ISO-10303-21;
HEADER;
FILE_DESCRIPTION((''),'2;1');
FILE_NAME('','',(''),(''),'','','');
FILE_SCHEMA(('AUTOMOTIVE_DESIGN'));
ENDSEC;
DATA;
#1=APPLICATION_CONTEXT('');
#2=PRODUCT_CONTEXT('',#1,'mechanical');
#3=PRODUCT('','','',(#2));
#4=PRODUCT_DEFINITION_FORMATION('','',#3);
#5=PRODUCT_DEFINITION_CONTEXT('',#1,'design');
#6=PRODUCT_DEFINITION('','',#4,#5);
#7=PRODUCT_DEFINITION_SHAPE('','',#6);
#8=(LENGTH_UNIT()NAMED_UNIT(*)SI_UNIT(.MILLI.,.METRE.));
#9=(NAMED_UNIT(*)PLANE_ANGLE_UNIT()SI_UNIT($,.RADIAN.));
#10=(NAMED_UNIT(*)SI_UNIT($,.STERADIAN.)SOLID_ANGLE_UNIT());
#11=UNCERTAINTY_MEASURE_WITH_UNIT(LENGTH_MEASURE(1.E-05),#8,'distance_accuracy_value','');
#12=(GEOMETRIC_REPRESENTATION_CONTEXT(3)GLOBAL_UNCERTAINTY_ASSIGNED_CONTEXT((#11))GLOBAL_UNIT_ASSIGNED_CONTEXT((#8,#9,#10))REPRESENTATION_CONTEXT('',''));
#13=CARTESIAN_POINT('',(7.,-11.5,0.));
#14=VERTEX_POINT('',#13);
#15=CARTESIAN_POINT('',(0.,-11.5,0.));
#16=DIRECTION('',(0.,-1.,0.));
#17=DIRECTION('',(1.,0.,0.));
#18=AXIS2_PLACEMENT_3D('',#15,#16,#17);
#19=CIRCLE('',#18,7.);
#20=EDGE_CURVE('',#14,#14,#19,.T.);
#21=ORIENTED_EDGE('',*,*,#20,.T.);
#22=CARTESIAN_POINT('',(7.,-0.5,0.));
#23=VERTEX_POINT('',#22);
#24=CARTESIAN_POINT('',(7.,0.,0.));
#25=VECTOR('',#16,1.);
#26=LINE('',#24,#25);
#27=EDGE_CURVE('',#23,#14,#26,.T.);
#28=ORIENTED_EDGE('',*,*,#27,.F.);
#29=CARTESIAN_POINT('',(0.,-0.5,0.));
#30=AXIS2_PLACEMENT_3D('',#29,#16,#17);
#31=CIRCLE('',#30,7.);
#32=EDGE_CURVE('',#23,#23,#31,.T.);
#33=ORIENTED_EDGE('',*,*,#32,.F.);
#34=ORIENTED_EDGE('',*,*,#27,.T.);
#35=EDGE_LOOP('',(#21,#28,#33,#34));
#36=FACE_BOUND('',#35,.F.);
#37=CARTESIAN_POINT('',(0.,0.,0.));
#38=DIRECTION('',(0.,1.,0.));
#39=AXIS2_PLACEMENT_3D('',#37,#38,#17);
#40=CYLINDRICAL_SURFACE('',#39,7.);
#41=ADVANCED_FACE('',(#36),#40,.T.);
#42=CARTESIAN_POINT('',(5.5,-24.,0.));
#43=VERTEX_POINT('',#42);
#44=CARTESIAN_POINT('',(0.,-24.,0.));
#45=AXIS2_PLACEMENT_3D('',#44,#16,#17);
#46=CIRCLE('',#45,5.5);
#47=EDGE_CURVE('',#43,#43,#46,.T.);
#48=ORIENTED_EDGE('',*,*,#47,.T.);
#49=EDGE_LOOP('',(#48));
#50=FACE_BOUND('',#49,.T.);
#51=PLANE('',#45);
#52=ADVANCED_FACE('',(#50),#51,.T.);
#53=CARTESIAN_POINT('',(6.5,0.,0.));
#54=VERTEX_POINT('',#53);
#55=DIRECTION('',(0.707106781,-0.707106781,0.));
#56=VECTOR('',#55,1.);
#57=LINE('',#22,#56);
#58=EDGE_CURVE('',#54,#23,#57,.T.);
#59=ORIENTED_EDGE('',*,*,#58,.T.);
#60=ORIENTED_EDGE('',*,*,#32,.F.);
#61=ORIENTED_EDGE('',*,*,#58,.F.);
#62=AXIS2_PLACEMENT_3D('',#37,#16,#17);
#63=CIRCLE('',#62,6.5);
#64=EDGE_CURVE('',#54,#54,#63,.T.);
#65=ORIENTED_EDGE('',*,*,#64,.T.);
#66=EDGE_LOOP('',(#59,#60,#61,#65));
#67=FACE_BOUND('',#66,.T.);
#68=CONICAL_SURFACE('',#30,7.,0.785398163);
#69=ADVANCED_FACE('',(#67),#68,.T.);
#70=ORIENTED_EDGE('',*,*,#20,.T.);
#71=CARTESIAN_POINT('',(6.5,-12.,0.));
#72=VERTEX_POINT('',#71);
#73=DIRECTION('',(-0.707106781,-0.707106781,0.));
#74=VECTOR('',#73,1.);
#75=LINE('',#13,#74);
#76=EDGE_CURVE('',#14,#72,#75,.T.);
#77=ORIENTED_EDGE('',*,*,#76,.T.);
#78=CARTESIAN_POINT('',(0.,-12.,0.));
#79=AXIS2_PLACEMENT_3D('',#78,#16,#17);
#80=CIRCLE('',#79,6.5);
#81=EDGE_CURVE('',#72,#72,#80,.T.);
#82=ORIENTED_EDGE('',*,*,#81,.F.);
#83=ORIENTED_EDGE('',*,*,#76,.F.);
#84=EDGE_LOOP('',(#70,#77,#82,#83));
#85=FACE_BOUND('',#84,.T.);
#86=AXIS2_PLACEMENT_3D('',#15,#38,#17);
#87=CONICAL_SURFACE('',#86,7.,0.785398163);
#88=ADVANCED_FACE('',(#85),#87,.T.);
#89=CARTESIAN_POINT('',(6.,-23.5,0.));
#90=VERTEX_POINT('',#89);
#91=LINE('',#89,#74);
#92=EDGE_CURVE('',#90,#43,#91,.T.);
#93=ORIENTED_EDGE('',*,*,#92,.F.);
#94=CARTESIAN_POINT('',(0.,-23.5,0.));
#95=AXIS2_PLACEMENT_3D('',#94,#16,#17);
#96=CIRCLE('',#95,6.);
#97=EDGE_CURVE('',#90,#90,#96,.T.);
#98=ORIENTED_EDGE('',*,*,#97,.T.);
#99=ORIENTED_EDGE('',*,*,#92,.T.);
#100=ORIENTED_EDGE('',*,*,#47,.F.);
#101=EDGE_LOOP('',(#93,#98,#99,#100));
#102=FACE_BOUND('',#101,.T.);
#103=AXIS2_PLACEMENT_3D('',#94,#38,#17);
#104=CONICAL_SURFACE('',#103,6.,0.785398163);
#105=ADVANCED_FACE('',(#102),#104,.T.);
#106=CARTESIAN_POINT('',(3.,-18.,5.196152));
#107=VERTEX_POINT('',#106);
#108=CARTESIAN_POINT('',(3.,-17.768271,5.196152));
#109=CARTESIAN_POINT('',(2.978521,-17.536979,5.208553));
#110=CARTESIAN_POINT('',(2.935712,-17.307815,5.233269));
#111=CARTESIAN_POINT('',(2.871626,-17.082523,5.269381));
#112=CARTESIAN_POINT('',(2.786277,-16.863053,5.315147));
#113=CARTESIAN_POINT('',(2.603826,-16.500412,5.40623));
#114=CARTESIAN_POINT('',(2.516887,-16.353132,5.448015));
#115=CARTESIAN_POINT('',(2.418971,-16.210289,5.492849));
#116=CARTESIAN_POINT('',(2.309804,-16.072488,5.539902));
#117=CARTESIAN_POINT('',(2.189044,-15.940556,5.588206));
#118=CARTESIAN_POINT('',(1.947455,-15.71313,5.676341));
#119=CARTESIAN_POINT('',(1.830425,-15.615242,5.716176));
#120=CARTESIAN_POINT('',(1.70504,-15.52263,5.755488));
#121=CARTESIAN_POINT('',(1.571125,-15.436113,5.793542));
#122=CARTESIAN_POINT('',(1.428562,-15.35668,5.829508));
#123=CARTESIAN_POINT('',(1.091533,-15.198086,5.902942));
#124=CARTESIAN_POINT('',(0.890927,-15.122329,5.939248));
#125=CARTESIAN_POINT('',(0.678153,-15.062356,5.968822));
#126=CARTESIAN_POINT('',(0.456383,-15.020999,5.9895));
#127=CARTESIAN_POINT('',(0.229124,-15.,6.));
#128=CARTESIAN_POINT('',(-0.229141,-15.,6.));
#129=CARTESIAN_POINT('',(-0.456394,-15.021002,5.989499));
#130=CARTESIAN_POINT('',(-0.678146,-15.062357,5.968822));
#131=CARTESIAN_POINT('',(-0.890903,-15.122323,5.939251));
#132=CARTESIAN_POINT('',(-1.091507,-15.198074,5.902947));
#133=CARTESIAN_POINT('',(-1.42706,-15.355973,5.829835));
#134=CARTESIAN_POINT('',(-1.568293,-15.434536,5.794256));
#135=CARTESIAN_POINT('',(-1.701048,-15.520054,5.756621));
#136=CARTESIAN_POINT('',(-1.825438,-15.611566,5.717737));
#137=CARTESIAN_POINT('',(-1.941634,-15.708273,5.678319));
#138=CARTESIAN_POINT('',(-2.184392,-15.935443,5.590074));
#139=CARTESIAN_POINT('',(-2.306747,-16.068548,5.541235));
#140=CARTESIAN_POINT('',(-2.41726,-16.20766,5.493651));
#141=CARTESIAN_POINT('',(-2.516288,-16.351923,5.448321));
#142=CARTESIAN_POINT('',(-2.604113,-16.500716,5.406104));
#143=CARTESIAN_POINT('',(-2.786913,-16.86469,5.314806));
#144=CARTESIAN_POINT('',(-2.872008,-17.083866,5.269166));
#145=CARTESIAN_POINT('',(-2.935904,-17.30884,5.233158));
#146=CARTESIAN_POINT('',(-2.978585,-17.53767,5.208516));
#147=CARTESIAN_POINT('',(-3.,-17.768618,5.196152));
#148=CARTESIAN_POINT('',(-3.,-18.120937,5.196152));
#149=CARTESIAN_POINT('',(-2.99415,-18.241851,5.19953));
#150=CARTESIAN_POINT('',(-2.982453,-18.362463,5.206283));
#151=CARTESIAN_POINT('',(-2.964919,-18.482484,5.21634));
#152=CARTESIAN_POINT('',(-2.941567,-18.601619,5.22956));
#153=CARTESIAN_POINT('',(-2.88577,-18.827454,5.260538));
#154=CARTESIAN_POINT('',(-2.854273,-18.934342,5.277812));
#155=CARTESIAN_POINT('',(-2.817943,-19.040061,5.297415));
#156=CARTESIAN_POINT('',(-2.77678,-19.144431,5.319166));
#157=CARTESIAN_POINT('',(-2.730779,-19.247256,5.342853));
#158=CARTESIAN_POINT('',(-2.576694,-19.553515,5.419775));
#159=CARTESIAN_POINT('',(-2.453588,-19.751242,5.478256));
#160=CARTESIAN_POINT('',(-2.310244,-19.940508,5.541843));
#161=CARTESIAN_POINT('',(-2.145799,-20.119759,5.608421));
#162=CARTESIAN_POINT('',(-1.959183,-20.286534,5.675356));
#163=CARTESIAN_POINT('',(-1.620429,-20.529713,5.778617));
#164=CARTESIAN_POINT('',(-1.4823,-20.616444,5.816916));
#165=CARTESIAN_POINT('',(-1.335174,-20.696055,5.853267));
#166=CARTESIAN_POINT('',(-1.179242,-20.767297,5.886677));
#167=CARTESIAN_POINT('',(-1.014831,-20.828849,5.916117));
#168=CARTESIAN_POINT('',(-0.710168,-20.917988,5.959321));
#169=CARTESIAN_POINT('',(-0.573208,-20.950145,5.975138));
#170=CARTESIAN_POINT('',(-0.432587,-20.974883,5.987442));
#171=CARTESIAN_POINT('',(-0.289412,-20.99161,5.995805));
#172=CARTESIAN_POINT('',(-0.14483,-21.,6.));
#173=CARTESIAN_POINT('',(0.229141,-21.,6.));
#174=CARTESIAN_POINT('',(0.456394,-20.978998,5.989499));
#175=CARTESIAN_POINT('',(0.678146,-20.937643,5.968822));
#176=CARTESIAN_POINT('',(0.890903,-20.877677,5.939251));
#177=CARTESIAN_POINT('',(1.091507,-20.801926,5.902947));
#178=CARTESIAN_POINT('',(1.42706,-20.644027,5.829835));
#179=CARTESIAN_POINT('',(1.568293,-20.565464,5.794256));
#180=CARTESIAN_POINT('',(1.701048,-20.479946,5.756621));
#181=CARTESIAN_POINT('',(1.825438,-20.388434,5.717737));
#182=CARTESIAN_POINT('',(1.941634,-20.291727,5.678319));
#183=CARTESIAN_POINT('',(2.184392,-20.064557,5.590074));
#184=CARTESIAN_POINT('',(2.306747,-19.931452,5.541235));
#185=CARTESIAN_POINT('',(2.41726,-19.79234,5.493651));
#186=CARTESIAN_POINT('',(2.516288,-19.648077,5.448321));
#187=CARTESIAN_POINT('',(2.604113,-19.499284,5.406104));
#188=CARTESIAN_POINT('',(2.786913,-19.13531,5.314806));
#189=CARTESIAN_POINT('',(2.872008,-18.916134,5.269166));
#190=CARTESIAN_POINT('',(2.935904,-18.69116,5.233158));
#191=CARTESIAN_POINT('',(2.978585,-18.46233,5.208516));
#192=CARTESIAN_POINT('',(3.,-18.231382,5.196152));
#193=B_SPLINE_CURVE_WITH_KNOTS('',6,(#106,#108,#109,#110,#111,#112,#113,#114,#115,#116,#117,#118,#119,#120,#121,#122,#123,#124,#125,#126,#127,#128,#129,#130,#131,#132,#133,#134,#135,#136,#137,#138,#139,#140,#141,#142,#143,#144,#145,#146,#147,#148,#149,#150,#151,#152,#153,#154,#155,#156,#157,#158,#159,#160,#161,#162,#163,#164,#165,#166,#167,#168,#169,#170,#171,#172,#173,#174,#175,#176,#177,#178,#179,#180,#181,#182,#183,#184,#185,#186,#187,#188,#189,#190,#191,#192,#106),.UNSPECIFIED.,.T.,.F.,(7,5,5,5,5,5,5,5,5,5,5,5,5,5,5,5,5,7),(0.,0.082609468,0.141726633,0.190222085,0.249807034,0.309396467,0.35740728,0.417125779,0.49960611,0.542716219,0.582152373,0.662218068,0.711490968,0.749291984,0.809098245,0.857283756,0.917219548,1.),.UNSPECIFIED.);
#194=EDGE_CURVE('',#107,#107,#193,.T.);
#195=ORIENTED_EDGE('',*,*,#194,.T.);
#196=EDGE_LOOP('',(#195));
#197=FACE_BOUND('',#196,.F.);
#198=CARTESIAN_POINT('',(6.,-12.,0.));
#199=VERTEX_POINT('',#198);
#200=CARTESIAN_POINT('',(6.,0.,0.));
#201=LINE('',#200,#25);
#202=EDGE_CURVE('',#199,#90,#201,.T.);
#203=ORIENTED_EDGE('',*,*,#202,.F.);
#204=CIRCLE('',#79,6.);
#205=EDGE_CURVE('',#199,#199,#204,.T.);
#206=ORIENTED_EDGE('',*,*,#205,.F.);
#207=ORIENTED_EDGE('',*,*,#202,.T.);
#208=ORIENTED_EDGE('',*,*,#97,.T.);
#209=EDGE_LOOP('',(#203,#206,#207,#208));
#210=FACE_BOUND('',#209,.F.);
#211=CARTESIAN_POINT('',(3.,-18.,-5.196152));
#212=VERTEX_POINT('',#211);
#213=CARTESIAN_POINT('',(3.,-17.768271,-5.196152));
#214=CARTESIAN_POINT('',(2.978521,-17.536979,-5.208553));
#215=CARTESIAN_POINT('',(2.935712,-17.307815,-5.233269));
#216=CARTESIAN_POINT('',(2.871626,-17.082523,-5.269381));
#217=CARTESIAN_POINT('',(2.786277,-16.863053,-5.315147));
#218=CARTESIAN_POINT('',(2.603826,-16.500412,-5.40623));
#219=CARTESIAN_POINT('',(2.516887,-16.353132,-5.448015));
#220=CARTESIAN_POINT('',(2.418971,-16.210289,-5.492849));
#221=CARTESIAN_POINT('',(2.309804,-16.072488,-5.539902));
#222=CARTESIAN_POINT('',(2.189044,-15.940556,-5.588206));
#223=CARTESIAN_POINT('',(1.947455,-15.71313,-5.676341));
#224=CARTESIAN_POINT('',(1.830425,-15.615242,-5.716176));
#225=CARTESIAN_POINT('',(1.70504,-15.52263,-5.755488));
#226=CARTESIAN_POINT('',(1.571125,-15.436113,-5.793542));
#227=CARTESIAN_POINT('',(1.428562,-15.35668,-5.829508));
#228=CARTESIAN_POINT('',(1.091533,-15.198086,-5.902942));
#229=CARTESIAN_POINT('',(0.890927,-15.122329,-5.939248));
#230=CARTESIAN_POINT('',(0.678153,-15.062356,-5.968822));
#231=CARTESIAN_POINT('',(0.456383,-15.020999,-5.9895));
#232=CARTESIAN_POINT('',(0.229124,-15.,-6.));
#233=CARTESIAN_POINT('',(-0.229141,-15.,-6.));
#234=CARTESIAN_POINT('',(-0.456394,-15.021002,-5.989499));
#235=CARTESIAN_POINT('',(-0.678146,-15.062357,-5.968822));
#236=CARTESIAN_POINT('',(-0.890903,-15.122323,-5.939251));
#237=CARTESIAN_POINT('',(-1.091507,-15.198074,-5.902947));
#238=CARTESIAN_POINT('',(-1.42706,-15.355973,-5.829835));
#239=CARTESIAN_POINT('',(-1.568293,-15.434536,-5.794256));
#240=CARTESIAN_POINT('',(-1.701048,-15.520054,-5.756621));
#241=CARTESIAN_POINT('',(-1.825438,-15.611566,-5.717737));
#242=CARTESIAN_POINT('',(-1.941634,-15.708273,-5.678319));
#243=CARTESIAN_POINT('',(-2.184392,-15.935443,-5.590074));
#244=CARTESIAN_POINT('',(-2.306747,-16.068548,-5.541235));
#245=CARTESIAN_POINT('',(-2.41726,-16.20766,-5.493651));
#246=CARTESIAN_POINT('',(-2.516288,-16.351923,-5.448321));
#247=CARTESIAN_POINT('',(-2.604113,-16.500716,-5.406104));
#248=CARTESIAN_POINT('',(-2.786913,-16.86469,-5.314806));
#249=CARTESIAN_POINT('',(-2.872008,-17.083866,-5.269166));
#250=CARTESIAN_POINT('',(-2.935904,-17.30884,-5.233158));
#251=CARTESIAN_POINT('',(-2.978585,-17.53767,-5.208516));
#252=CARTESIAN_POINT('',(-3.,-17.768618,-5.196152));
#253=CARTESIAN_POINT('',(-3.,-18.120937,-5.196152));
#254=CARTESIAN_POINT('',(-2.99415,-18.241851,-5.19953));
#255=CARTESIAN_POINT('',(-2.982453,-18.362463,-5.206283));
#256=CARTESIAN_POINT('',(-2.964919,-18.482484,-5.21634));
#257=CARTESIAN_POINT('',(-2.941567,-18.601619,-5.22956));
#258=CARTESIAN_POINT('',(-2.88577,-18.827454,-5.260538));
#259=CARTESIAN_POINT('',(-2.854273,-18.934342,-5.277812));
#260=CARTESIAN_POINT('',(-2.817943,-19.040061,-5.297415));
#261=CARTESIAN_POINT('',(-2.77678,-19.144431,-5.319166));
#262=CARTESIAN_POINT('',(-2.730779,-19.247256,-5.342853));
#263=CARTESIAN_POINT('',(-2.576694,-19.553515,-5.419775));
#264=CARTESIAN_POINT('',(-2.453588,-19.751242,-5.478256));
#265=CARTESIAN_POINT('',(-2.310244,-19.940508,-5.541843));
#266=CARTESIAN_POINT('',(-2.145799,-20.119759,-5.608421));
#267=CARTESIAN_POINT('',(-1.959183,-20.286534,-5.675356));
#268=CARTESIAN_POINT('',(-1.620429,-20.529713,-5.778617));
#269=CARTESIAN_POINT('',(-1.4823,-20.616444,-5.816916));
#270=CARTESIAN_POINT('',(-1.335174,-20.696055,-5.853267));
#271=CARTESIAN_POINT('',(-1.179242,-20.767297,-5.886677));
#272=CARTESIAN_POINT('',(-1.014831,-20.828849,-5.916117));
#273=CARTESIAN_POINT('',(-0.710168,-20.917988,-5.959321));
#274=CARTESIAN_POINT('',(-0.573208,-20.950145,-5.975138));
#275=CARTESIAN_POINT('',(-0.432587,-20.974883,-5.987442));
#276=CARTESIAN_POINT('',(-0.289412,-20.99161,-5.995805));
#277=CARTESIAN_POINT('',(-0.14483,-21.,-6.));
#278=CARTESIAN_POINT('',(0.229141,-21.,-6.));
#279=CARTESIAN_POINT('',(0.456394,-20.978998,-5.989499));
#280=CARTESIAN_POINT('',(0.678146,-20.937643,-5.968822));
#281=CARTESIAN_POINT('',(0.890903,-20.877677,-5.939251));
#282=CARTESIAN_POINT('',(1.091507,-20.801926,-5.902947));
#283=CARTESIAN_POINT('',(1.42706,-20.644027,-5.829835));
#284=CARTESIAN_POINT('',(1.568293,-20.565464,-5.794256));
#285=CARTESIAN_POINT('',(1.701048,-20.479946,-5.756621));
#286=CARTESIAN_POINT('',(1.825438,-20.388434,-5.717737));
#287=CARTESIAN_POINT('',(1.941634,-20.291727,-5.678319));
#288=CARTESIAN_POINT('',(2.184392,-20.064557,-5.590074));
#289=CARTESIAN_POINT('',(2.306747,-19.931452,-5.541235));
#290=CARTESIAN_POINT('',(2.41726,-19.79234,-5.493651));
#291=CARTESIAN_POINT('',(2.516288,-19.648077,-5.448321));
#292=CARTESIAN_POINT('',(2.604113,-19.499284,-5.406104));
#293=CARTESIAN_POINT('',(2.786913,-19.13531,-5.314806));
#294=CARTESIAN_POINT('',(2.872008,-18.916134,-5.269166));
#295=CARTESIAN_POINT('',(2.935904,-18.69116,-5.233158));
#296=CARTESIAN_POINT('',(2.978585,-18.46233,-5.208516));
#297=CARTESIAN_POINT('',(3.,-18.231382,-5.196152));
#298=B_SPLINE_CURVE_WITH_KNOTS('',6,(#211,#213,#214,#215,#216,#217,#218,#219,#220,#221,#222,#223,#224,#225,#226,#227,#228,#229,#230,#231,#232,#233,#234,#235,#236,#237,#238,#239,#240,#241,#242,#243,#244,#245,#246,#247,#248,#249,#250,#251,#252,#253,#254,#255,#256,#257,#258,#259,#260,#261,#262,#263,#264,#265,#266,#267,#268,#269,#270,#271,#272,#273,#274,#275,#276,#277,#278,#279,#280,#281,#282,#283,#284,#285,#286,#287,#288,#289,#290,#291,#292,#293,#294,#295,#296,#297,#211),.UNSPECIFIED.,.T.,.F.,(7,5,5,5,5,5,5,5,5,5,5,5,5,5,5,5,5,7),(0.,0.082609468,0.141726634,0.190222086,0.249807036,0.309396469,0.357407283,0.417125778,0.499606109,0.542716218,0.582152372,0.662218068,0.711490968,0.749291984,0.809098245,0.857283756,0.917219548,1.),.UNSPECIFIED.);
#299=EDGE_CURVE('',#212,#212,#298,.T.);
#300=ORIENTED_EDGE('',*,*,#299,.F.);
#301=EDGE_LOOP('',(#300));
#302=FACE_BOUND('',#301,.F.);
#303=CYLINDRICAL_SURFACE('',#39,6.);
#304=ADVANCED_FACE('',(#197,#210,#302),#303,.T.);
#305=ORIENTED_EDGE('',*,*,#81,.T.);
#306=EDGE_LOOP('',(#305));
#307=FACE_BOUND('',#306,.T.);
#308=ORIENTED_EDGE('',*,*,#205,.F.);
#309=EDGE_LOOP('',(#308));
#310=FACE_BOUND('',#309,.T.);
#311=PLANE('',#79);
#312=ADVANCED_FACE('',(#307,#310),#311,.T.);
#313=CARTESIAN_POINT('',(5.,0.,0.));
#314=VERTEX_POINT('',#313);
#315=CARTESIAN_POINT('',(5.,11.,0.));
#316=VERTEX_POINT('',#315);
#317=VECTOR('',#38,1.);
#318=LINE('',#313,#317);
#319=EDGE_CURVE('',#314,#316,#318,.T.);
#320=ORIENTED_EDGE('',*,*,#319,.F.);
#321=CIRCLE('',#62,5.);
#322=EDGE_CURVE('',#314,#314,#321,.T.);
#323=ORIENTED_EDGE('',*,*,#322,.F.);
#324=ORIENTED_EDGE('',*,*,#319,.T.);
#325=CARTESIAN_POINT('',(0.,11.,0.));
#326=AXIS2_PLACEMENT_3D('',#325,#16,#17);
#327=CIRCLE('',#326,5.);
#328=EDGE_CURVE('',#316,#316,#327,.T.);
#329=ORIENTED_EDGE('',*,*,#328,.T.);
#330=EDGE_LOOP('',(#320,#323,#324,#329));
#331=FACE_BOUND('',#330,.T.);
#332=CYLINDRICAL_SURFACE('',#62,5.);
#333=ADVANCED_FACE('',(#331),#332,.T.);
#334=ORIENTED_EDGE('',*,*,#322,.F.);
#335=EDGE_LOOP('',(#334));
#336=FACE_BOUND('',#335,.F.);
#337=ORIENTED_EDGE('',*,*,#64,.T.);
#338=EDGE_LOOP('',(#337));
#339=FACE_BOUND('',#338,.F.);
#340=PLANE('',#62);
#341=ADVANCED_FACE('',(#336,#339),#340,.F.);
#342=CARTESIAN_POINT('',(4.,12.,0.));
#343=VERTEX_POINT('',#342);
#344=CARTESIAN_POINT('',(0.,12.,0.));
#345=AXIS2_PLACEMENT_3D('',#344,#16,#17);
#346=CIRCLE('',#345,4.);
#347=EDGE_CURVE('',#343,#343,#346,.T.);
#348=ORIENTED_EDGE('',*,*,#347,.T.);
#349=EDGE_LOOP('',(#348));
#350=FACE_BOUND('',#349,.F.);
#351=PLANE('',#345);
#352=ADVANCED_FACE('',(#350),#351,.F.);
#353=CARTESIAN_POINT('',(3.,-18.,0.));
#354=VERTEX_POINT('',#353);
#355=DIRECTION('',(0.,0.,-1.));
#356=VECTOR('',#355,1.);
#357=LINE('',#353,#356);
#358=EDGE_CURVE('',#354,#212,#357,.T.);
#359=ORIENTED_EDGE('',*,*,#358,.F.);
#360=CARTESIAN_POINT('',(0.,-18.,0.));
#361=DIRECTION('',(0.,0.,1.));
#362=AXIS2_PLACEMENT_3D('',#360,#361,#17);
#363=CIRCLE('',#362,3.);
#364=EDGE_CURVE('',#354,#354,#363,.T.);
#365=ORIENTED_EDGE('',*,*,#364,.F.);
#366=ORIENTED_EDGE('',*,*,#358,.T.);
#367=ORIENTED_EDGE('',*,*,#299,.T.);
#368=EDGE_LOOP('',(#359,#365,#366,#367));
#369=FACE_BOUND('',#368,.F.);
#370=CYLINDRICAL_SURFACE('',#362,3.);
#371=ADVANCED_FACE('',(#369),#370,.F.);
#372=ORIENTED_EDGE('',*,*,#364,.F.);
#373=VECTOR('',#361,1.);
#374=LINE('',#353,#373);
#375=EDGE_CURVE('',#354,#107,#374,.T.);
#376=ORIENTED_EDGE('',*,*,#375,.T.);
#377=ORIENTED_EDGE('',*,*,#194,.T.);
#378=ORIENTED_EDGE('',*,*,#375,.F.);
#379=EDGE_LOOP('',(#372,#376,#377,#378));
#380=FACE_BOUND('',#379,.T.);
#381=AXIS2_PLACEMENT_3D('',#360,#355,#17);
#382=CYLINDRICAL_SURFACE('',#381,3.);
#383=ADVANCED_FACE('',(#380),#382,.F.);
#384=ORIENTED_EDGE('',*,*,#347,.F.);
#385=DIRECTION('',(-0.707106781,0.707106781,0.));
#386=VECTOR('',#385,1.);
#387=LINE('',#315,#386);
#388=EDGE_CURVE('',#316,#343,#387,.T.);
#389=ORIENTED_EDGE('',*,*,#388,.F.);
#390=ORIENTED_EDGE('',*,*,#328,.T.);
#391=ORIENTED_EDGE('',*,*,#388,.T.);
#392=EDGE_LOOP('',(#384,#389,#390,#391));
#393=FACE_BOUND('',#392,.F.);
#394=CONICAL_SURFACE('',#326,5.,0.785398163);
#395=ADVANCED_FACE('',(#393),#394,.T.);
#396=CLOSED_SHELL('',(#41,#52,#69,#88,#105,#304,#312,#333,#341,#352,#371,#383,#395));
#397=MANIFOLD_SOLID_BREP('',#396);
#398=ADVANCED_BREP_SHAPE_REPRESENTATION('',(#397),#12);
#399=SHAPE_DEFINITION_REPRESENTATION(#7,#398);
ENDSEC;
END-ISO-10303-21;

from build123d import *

# Parameters (mm, degrees)
F0_R          = 7
F0_R_2        = 6
F1_DEPTH      = 12
F0_R_3        = 5
F2_DEPTH      = 24
F3_DEPTH      = 24
F3_DEPTH_BACK = 12
F4_SIZE       = 1
F5_SIZE       = 0.5
F6_R          = 3
F7_DEPTH      = 25
F7_DEPTH_BACK = 25


with BuildPart() as f1:
    # F0 (on Front) → F1 (new body)
    with BuildSketch(Plane.XZ):
        Circle(F0_R)
        Circle(F0_R_2, mode=Mode.SUBTRACT)
    extrude(amount=F1_DEPTH)

    # F0 (on Front) → F2 (join)
    with BuildSketch(Plane.XZ):
        Circle(F0_R_2)
        Circle(F0_R_3, mode=Mode.SUBTRACT)
    extrude(amount=F2_DEPTH)

    # F0 (on Front) → F3 (join, two sides)
    with BuildSketch(Plane.XZ) as f3_sk:
        Circle(F0_R_3)
    extrude(amount=F3_DEPTH)
    extrude(f3_sk.sketch, amount=-F3_DEPTH_BACK)

    # F4
    f4_edges = [f1.edges().sort_by_distance(p)[0] for p in [
        (-5, 12, 0),
    ]]
    chamfer(f4_edges, length=F4_SIZE)

    # F5
    f5_edges = [f1.edges().sort_by_distance(p)[0] for p in [
        (-6, -24, 0),
        (-7, -12, 0),
        (7, -6, 0),
        (-7, 0, 0),
    ]]
    chamfer(f5_edges, length=F5_SIZE)

    # F6 (on Top) → F7 (cut, two sides)
    with BuildSketch(Plane.XY) as f7_sk:
        with Locations((0, -18)):
            Circle(F6_R)
    extrude(amount=-F7_DEPTH, mode=Mode.SUBTRACT)
    extrude(f7_sk.sketch, amount=F7_DEPTH_BACK, mode=Mode.SUBTRACT)


solid = f1.part
